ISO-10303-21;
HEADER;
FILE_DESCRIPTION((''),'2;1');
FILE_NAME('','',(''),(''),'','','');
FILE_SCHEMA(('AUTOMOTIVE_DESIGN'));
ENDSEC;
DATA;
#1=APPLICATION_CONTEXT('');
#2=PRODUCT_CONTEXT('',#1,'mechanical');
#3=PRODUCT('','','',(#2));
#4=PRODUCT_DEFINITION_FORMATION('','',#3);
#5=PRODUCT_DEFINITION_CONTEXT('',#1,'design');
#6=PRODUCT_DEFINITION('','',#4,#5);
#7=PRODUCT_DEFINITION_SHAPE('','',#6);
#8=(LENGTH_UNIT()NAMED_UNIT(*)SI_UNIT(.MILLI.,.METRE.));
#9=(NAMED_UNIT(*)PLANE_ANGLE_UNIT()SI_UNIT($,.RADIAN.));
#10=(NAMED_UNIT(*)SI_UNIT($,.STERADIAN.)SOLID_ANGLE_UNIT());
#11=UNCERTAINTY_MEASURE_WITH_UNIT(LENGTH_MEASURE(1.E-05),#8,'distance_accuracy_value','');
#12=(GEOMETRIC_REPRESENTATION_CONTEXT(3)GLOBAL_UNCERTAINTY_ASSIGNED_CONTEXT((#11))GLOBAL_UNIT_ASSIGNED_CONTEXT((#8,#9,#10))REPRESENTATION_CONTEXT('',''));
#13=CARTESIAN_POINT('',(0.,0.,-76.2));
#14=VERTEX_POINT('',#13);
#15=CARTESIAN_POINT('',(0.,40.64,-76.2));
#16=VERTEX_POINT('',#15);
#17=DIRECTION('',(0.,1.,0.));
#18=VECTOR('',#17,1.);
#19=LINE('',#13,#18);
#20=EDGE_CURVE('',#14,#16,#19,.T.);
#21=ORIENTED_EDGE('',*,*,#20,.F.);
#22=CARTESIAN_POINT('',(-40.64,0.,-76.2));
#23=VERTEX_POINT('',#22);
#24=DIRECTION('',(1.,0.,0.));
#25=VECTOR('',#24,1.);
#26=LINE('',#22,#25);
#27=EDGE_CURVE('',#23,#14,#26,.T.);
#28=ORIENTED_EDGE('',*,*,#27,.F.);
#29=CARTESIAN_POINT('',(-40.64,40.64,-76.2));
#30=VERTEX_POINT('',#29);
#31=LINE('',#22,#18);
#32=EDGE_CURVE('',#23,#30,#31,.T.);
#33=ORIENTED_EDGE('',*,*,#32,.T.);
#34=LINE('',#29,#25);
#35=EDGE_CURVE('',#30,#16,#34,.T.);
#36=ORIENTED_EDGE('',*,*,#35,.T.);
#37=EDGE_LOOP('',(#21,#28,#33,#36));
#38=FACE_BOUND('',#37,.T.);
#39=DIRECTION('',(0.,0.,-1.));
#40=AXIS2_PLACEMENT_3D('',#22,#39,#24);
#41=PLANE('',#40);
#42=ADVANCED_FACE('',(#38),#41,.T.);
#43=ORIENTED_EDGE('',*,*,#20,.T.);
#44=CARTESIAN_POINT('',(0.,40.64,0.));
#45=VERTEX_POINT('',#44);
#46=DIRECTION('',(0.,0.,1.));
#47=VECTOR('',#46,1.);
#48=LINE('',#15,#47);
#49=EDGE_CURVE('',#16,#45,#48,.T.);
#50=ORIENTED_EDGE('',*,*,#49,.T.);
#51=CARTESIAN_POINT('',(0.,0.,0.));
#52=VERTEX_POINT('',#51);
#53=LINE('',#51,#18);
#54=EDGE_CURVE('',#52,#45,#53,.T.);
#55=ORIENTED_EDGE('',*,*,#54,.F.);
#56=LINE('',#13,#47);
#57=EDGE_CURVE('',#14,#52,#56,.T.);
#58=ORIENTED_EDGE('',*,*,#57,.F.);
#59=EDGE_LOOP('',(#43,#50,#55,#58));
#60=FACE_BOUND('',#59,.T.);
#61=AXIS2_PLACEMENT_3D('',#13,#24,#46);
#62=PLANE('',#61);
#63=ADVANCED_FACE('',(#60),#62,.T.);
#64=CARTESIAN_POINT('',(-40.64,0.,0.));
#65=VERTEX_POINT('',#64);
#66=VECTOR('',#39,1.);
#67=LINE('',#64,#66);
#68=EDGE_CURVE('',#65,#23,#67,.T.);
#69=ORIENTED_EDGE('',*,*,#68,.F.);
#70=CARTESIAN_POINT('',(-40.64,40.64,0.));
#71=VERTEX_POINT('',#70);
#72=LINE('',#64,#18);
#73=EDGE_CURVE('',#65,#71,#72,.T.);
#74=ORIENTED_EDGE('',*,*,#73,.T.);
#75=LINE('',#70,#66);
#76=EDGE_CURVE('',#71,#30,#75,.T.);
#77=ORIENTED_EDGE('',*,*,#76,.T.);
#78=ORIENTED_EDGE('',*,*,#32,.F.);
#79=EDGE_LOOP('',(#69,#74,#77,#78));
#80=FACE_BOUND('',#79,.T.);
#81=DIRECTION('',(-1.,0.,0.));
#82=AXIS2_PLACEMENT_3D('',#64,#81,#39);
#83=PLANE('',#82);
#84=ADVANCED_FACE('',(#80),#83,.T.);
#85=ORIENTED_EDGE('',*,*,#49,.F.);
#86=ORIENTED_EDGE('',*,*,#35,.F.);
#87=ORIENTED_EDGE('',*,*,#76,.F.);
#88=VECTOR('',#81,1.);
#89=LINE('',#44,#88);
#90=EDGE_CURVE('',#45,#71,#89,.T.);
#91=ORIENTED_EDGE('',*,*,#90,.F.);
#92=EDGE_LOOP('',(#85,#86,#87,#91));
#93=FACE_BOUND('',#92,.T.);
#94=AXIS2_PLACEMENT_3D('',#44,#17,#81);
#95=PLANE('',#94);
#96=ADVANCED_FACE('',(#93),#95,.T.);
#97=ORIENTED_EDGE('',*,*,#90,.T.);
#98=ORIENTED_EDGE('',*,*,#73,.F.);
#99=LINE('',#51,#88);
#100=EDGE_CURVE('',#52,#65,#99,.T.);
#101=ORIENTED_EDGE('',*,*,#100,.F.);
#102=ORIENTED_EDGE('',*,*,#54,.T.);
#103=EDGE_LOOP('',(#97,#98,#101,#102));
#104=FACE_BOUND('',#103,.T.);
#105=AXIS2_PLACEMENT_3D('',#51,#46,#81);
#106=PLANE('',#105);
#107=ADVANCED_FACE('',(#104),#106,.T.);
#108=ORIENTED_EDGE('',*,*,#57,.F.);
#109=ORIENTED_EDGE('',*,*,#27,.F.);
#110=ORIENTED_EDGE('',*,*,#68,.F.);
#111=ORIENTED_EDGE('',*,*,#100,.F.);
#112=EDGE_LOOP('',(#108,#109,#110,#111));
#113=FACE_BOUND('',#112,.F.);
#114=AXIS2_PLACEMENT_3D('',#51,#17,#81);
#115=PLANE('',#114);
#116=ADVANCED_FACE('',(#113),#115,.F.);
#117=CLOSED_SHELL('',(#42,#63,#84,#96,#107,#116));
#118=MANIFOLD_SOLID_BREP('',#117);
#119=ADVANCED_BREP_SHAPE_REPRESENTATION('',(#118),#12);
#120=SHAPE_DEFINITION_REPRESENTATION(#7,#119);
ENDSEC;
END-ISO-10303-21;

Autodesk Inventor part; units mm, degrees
ref_plane "YZ Plane" through (0, 0, 0) normal (1, 0, 0) x (0, 1, 0)
ref_plane "XZ Plane" through (0, 0, 0) normal (0, 1, 0) x (-1, 0, 0)
ref_plane "XY Plane" through (0, 0, 0) normal (0, 0, 1) x (1, 0, 0)
sketch "Sketch1" plane through (0, 0, 0) normal (0, 1, 0) x (-1, 0, 0)
  line L0 (0, 0) -> (40.64, 0)
  line L1 (40.64, 0) -> (40.64, -76.2)
  line L2 (40.64, -76.2) -> (0, -76.2)
  line L3 (0, -76.2) -> (0, 0)
  dimension "d0" = 40.64
  dimension "d1" = 76.2
extrude "Extrusion1" add sketch "Sketch1" along normal blind 40.64
properties part number "LiPo"
